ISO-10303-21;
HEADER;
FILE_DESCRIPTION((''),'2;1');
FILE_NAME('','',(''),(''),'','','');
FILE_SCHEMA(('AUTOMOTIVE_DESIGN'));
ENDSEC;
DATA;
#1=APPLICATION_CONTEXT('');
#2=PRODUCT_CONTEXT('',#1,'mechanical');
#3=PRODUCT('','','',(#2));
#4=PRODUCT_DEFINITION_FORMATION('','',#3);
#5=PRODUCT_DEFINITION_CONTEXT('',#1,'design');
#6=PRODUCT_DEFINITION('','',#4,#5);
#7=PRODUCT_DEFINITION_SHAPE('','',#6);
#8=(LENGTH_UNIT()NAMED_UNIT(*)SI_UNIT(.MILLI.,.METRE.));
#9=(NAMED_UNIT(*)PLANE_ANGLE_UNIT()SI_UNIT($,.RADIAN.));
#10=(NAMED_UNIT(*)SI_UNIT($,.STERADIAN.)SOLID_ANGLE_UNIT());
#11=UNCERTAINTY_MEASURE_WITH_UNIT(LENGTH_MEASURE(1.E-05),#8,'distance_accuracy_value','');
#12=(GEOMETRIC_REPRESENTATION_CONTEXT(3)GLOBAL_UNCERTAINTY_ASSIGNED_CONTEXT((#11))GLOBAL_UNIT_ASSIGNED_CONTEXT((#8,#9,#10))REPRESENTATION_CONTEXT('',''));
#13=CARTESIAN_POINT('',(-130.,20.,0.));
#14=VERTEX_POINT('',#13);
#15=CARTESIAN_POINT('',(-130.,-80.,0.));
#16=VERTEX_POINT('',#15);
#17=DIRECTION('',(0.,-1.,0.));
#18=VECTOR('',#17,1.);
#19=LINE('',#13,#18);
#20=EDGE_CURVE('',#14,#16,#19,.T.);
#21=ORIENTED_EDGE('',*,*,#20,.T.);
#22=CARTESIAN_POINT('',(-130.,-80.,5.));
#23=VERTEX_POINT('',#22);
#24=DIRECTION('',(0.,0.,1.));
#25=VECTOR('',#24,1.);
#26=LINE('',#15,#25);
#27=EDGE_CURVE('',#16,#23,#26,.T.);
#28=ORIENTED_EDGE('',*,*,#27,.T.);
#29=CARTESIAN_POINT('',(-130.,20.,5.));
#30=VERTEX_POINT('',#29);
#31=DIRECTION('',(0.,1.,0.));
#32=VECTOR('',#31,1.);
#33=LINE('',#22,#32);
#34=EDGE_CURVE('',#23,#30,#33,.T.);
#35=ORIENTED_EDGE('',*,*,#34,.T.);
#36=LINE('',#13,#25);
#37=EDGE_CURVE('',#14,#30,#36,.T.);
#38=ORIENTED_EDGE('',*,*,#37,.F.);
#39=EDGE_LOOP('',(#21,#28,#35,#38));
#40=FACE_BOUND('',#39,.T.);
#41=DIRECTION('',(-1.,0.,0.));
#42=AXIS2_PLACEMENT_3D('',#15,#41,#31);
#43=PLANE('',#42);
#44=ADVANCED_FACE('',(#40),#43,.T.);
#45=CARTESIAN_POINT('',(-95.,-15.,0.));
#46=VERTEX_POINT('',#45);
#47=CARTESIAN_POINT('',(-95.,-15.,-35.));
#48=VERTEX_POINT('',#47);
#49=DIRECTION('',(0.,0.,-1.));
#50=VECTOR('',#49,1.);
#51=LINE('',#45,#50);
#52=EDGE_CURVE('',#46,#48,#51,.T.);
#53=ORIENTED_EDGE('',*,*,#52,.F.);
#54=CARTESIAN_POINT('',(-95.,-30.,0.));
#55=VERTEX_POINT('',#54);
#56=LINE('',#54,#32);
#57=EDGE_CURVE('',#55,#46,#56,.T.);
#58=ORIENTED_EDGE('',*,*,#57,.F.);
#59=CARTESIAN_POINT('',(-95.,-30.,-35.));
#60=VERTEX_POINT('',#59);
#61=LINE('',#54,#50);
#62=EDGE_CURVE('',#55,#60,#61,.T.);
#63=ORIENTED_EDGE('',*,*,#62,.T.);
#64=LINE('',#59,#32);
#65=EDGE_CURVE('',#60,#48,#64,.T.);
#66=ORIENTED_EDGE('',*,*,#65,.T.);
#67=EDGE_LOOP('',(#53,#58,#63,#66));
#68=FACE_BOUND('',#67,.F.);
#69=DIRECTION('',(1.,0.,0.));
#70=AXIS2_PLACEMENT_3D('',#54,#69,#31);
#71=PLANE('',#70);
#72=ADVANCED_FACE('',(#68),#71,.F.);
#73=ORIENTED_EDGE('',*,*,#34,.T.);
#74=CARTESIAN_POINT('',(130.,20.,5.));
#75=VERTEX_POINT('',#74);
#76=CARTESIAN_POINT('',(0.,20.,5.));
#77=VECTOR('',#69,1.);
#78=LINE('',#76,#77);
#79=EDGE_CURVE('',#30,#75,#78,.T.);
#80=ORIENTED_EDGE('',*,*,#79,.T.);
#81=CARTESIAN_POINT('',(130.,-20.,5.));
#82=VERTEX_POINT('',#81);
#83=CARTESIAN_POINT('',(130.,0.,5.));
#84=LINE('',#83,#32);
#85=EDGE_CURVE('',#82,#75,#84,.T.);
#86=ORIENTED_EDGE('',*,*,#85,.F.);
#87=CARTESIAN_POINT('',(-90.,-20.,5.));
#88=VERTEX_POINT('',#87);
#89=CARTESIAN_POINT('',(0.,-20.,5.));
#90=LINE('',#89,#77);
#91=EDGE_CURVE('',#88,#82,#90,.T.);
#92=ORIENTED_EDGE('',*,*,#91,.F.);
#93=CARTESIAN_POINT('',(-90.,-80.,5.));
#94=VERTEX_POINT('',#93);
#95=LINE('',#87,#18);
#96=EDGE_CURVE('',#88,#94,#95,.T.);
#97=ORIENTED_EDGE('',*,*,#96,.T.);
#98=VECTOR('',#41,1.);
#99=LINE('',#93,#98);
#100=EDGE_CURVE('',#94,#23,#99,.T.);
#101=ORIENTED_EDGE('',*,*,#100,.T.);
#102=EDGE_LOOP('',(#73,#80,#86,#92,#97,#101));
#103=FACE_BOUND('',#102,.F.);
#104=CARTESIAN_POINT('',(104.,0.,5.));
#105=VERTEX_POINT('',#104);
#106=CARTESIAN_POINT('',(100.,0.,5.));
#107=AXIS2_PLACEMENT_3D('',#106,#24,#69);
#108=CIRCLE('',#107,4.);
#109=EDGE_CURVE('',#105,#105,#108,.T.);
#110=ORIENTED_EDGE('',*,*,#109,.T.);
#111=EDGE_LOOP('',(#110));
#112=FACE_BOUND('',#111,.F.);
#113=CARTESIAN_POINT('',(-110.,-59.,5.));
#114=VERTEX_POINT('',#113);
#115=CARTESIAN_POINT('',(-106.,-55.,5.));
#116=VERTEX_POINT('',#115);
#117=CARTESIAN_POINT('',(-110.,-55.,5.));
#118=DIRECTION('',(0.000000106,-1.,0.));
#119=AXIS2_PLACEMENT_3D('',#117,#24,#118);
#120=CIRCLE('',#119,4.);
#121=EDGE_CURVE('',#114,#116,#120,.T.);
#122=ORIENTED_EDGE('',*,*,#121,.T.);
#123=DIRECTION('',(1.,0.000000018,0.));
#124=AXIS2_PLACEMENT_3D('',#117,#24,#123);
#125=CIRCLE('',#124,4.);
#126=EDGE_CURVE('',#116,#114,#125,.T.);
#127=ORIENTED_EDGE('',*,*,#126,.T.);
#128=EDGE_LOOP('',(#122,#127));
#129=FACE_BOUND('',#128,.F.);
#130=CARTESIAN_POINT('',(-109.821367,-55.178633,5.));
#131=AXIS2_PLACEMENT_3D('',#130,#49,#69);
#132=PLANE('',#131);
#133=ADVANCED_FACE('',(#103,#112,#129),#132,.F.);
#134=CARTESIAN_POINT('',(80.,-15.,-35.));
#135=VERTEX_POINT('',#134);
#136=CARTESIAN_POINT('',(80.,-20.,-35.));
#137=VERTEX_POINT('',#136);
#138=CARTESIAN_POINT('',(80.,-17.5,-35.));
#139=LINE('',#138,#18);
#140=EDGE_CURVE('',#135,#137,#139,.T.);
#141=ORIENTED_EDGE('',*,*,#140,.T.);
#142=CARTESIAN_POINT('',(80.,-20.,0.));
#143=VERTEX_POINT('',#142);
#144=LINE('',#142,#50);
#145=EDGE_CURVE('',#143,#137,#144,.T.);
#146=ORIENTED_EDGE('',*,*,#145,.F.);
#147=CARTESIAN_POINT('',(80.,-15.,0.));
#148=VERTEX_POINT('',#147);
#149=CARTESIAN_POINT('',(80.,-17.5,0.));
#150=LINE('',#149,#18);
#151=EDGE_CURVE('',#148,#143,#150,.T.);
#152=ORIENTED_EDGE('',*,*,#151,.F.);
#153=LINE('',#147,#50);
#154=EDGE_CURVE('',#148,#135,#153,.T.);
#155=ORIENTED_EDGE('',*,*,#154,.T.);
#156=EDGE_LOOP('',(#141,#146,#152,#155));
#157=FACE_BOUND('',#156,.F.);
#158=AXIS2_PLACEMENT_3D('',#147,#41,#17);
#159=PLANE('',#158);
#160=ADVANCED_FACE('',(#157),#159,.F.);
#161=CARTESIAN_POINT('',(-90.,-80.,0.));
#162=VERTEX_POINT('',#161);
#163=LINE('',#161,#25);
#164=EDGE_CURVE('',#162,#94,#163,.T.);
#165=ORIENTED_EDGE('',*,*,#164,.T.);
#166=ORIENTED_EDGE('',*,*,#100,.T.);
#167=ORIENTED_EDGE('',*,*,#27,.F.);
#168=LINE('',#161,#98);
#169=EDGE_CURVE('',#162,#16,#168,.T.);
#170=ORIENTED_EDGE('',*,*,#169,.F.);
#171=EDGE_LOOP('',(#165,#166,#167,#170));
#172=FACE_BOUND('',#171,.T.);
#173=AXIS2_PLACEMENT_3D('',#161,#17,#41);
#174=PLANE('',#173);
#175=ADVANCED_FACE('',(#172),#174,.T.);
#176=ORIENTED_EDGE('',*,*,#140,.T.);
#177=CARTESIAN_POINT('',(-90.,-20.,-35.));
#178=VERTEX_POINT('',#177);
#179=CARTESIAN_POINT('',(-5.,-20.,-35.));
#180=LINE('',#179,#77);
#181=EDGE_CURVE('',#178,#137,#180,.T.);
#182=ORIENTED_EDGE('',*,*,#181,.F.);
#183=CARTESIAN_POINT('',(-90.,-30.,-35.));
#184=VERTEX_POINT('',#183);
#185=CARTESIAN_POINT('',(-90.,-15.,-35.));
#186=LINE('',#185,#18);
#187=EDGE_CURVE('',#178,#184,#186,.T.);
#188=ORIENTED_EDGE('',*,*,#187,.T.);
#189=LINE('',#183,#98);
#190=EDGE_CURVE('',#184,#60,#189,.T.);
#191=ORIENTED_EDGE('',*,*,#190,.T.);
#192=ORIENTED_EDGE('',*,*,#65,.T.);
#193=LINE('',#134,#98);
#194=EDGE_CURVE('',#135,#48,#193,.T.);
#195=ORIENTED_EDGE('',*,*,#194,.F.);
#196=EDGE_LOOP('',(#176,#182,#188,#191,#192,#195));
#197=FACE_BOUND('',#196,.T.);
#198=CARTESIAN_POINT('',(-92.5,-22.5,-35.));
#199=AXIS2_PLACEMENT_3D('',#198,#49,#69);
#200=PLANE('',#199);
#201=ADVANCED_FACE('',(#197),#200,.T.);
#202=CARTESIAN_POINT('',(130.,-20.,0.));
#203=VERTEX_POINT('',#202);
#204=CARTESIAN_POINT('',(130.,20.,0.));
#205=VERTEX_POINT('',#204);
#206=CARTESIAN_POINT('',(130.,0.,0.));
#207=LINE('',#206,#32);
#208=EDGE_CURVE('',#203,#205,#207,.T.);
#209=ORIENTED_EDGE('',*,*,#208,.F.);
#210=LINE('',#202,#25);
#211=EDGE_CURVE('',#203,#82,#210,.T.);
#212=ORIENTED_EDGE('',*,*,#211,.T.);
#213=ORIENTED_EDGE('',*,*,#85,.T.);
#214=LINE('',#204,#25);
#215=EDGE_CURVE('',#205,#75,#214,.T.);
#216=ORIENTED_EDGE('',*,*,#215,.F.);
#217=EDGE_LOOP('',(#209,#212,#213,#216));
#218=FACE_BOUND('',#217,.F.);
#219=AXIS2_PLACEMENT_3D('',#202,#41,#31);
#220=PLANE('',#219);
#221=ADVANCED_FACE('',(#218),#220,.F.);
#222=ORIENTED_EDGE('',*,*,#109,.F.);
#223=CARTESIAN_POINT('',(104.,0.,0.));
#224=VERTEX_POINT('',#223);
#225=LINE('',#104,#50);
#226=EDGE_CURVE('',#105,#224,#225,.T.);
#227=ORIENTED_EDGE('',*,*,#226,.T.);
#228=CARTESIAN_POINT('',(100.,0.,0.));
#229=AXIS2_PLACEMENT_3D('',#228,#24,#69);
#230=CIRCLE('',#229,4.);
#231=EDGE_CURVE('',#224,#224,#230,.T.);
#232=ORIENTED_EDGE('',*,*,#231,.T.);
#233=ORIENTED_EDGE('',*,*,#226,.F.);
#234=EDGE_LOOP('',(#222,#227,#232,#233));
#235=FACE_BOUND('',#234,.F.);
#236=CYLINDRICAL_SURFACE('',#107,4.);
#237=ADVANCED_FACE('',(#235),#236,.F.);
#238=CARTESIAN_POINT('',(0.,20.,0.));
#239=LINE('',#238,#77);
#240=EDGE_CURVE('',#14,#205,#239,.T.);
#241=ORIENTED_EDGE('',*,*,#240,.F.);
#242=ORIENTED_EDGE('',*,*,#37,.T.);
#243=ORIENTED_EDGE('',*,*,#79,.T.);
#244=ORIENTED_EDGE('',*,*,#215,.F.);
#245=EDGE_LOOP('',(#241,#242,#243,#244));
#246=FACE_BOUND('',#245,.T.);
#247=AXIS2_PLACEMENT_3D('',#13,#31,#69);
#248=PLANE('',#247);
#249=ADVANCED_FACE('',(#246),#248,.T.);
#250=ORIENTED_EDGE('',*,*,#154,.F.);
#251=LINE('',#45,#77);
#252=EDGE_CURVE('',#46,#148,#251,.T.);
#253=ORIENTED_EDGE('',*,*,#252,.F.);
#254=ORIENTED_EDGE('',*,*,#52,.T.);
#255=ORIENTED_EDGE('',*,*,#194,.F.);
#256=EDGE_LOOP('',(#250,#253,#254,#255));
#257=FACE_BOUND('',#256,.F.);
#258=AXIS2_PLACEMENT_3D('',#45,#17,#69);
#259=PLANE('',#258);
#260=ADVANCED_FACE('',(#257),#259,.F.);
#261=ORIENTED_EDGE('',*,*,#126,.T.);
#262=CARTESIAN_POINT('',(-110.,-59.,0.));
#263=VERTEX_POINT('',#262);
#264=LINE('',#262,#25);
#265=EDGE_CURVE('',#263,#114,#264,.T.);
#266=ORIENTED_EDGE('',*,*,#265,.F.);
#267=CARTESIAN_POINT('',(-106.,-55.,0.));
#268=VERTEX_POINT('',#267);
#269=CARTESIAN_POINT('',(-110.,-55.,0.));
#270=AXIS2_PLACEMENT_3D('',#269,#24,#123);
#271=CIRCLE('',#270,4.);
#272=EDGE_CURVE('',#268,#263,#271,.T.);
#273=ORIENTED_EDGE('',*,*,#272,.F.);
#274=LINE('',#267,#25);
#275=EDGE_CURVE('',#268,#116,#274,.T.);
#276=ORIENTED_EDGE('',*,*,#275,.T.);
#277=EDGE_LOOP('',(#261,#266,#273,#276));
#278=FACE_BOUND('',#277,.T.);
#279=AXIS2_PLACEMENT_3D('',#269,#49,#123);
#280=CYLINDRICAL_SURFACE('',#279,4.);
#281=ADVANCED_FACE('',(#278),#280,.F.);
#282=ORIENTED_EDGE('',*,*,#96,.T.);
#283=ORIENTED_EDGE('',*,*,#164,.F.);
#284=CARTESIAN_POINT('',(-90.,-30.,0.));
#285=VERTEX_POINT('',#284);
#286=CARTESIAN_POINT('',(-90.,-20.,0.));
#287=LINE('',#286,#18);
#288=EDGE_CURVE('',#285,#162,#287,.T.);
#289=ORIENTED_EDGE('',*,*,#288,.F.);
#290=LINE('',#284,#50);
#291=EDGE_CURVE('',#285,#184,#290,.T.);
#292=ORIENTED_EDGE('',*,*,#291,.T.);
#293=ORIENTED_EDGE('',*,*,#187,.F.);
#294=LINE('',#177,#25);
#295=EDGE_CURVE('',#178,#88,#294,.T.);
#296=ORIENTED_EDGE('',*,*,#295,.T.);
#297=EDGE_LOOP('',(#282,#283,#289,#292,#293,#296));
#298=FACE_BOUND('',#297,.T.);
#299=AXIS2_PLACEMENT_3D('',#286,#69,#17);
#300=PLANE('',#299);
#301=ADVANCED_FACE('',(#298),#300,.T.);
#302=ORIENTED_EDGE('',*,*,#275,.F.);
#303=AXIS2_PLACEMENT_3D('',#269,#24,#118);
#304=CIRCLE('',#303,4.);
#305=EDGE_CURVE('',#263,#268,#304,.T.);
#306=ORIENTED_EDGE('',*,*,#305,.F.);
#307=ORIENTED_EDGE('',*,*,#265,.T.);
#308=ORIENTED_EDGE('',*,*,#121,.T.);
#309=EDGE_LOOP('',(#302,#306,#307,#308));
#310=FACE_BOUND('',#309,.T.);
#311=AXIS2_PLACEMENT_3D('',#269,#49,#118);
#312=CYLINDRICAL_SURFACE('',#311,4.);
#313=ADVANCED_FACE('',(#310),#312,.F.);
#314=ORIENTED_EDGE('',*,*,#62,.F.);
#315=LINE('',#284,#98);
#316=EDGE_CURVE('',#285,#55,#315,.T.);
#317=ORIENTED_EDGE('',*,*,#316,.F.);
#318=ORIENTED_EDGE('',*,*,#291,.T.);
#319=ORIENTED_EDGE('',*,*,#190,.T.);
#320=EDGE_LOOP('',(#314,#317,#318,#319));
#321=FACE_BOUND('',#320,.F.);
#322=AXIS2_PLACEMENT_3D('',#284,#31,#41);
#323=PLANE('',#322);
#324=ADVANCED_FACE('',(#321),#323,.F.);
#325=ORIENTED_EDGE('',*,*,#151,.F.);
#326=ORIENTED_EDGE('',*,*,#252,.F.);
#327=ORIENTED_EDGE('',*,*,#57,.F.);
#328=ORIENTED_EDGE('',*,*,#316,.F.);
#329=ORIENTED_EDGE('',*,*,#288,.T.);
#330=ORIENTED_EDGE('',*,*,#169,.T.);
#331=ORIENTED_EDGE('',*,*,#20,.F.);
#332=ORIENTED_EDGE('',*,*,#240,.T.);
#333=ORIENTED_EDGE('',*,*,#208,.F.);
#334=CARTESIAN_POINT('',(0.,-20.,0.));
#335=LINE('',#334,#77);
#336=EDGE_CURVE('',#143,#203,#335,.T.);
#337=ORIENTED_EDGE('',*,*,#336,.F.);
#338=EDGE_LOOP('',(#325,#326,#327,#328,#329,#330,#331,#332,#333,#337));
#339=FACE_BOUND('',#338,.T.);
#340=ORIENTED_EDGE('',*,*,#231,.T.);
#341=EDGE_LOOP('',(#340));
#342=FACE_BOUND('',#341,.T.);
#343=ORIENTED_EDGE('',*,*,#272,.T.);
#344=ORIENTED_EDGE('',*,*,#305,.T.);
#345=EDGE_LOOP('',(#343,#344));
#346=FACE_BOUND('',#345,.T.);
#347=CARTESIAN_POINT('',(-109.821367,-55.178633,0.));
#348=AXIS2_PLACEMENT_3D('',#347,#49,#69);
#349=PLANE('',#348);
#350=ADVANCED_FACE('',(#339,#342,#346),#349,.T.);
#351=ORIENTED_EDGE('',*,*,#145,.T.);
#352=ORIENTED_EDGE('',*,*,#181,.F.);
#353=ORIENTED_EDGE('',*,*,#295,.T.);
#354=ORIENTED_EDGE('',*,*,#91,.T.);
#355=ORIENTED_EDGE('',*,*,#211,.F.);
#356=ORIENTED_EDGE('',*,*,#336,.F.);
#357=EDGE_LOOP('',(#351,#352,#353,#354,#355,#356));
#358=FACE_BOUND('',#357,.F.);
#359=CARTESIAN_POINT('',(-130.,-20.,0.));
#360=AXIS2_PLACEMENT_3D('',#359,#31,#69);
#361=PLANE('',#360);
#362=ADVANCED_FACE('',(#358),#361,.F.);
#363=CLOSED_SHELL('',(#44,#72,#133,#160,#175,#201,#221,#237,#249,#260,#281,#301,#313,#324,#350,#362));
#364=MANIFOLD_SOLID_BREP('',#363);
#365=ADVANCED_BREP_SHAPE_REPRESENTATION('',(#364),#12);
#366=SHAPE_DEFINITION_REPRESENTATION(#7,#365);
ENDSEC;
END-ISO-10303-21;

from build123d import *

# Parameters (mm, degrees)
F0_W      = 260
F0_H      = 40
F1_DEPTH  = 5
F2_W      = 170
F2_H      = 5
F3_DEPTH  = 35
F5_DEPTH  = 5
F7_DEPTH  = 35
F8_R      = 4
F9_DEPTH  = 25
F10_DEPTH = 25


with BuildPart() as f1:
    # F0 (on Top) → F1 (new body)
    with BuildSketch(Plane.XY):
        Rectangle(F0_W, F0_H)
    extrude(amount=F1_DEPTH)

    # F2 (on face) → F3 (join)
    with BuildSketch(Plane(origin=(0, 0, 0), x_dir=(1, 0, 0), z_dir=(0, 0, -1))):
        with Locations((-5, 17.5)):
            Rectangle(F2_W, F2_H)
    extrude(amount=F3_DEPTH)

    # F4 (on face) → F5 (join)
    with BuildSketch(Plane(origin=(0, 0, 0), x_dir=(1, 0, 0), z_dir=(0, 0, -1))):
        with BuildLine():
            ThreePointArc((-110, 59), (-112.828427, 52.171573), (-106, 55))
            ThreePointArc((-106, 55), (-107.171573, 57.828427), (-110, 59))
        make_face()
        Polygon((-130, 80), (-130, 20), (-90, 20), (-90, 80), (-110, 80), align=None)
        with BuildLine():
            ThreePointArc((-106, 55), (-112.828427, 52.171573), (-110, 59))
            ThreePointArc((-110, 59), (-107.171573, 57.828427), (-106, 55))
        make_face(mode=Mode.SUBTRACT)
    extrude(amount=-F5_DEPTH)

    # F6 (on face) → F7 (join)
    with BuildSketch(Plane(origin=(0, 0, 0), x_dir=(1, 0, 0), z_dir=(0, 0, -1))):
        Polygon((-95, 15), (-90, 15), (-90, 20), (-90, 30), (-95, 30), align=None)
    extrude(amount=F7_DEPTH)

    # F8 (on face) → F9 (cut)
    with BuildSketch(Plane.XY.offset(5)):
        with Locations((-110, -150)):
            Circle(F8_R)
        with Locations((100, 0)):
            Circle(F8_R)
    extrude(amount=-F9_DEPTH, mode=Mode.SUBTRACT)

    # F4 (on face) → F10 (cut)
    with BuildSketch(Plane(origin=(0, 0, 0), x_dir=(1, 0, 0), z_dir=(0, 0, -1))):
        with BuildLine():
            ThreePointArc((-110, 59), (-112.828427, 52.171573), (-106, 55))
            ThreePointArc((-106, 55), (-107.171573, 57.828427), (-110, 59))
        make_face()
    extrude(amount=-F10_DEPTH, mode=Mode.SUBTRACT)


solid = f1.part
